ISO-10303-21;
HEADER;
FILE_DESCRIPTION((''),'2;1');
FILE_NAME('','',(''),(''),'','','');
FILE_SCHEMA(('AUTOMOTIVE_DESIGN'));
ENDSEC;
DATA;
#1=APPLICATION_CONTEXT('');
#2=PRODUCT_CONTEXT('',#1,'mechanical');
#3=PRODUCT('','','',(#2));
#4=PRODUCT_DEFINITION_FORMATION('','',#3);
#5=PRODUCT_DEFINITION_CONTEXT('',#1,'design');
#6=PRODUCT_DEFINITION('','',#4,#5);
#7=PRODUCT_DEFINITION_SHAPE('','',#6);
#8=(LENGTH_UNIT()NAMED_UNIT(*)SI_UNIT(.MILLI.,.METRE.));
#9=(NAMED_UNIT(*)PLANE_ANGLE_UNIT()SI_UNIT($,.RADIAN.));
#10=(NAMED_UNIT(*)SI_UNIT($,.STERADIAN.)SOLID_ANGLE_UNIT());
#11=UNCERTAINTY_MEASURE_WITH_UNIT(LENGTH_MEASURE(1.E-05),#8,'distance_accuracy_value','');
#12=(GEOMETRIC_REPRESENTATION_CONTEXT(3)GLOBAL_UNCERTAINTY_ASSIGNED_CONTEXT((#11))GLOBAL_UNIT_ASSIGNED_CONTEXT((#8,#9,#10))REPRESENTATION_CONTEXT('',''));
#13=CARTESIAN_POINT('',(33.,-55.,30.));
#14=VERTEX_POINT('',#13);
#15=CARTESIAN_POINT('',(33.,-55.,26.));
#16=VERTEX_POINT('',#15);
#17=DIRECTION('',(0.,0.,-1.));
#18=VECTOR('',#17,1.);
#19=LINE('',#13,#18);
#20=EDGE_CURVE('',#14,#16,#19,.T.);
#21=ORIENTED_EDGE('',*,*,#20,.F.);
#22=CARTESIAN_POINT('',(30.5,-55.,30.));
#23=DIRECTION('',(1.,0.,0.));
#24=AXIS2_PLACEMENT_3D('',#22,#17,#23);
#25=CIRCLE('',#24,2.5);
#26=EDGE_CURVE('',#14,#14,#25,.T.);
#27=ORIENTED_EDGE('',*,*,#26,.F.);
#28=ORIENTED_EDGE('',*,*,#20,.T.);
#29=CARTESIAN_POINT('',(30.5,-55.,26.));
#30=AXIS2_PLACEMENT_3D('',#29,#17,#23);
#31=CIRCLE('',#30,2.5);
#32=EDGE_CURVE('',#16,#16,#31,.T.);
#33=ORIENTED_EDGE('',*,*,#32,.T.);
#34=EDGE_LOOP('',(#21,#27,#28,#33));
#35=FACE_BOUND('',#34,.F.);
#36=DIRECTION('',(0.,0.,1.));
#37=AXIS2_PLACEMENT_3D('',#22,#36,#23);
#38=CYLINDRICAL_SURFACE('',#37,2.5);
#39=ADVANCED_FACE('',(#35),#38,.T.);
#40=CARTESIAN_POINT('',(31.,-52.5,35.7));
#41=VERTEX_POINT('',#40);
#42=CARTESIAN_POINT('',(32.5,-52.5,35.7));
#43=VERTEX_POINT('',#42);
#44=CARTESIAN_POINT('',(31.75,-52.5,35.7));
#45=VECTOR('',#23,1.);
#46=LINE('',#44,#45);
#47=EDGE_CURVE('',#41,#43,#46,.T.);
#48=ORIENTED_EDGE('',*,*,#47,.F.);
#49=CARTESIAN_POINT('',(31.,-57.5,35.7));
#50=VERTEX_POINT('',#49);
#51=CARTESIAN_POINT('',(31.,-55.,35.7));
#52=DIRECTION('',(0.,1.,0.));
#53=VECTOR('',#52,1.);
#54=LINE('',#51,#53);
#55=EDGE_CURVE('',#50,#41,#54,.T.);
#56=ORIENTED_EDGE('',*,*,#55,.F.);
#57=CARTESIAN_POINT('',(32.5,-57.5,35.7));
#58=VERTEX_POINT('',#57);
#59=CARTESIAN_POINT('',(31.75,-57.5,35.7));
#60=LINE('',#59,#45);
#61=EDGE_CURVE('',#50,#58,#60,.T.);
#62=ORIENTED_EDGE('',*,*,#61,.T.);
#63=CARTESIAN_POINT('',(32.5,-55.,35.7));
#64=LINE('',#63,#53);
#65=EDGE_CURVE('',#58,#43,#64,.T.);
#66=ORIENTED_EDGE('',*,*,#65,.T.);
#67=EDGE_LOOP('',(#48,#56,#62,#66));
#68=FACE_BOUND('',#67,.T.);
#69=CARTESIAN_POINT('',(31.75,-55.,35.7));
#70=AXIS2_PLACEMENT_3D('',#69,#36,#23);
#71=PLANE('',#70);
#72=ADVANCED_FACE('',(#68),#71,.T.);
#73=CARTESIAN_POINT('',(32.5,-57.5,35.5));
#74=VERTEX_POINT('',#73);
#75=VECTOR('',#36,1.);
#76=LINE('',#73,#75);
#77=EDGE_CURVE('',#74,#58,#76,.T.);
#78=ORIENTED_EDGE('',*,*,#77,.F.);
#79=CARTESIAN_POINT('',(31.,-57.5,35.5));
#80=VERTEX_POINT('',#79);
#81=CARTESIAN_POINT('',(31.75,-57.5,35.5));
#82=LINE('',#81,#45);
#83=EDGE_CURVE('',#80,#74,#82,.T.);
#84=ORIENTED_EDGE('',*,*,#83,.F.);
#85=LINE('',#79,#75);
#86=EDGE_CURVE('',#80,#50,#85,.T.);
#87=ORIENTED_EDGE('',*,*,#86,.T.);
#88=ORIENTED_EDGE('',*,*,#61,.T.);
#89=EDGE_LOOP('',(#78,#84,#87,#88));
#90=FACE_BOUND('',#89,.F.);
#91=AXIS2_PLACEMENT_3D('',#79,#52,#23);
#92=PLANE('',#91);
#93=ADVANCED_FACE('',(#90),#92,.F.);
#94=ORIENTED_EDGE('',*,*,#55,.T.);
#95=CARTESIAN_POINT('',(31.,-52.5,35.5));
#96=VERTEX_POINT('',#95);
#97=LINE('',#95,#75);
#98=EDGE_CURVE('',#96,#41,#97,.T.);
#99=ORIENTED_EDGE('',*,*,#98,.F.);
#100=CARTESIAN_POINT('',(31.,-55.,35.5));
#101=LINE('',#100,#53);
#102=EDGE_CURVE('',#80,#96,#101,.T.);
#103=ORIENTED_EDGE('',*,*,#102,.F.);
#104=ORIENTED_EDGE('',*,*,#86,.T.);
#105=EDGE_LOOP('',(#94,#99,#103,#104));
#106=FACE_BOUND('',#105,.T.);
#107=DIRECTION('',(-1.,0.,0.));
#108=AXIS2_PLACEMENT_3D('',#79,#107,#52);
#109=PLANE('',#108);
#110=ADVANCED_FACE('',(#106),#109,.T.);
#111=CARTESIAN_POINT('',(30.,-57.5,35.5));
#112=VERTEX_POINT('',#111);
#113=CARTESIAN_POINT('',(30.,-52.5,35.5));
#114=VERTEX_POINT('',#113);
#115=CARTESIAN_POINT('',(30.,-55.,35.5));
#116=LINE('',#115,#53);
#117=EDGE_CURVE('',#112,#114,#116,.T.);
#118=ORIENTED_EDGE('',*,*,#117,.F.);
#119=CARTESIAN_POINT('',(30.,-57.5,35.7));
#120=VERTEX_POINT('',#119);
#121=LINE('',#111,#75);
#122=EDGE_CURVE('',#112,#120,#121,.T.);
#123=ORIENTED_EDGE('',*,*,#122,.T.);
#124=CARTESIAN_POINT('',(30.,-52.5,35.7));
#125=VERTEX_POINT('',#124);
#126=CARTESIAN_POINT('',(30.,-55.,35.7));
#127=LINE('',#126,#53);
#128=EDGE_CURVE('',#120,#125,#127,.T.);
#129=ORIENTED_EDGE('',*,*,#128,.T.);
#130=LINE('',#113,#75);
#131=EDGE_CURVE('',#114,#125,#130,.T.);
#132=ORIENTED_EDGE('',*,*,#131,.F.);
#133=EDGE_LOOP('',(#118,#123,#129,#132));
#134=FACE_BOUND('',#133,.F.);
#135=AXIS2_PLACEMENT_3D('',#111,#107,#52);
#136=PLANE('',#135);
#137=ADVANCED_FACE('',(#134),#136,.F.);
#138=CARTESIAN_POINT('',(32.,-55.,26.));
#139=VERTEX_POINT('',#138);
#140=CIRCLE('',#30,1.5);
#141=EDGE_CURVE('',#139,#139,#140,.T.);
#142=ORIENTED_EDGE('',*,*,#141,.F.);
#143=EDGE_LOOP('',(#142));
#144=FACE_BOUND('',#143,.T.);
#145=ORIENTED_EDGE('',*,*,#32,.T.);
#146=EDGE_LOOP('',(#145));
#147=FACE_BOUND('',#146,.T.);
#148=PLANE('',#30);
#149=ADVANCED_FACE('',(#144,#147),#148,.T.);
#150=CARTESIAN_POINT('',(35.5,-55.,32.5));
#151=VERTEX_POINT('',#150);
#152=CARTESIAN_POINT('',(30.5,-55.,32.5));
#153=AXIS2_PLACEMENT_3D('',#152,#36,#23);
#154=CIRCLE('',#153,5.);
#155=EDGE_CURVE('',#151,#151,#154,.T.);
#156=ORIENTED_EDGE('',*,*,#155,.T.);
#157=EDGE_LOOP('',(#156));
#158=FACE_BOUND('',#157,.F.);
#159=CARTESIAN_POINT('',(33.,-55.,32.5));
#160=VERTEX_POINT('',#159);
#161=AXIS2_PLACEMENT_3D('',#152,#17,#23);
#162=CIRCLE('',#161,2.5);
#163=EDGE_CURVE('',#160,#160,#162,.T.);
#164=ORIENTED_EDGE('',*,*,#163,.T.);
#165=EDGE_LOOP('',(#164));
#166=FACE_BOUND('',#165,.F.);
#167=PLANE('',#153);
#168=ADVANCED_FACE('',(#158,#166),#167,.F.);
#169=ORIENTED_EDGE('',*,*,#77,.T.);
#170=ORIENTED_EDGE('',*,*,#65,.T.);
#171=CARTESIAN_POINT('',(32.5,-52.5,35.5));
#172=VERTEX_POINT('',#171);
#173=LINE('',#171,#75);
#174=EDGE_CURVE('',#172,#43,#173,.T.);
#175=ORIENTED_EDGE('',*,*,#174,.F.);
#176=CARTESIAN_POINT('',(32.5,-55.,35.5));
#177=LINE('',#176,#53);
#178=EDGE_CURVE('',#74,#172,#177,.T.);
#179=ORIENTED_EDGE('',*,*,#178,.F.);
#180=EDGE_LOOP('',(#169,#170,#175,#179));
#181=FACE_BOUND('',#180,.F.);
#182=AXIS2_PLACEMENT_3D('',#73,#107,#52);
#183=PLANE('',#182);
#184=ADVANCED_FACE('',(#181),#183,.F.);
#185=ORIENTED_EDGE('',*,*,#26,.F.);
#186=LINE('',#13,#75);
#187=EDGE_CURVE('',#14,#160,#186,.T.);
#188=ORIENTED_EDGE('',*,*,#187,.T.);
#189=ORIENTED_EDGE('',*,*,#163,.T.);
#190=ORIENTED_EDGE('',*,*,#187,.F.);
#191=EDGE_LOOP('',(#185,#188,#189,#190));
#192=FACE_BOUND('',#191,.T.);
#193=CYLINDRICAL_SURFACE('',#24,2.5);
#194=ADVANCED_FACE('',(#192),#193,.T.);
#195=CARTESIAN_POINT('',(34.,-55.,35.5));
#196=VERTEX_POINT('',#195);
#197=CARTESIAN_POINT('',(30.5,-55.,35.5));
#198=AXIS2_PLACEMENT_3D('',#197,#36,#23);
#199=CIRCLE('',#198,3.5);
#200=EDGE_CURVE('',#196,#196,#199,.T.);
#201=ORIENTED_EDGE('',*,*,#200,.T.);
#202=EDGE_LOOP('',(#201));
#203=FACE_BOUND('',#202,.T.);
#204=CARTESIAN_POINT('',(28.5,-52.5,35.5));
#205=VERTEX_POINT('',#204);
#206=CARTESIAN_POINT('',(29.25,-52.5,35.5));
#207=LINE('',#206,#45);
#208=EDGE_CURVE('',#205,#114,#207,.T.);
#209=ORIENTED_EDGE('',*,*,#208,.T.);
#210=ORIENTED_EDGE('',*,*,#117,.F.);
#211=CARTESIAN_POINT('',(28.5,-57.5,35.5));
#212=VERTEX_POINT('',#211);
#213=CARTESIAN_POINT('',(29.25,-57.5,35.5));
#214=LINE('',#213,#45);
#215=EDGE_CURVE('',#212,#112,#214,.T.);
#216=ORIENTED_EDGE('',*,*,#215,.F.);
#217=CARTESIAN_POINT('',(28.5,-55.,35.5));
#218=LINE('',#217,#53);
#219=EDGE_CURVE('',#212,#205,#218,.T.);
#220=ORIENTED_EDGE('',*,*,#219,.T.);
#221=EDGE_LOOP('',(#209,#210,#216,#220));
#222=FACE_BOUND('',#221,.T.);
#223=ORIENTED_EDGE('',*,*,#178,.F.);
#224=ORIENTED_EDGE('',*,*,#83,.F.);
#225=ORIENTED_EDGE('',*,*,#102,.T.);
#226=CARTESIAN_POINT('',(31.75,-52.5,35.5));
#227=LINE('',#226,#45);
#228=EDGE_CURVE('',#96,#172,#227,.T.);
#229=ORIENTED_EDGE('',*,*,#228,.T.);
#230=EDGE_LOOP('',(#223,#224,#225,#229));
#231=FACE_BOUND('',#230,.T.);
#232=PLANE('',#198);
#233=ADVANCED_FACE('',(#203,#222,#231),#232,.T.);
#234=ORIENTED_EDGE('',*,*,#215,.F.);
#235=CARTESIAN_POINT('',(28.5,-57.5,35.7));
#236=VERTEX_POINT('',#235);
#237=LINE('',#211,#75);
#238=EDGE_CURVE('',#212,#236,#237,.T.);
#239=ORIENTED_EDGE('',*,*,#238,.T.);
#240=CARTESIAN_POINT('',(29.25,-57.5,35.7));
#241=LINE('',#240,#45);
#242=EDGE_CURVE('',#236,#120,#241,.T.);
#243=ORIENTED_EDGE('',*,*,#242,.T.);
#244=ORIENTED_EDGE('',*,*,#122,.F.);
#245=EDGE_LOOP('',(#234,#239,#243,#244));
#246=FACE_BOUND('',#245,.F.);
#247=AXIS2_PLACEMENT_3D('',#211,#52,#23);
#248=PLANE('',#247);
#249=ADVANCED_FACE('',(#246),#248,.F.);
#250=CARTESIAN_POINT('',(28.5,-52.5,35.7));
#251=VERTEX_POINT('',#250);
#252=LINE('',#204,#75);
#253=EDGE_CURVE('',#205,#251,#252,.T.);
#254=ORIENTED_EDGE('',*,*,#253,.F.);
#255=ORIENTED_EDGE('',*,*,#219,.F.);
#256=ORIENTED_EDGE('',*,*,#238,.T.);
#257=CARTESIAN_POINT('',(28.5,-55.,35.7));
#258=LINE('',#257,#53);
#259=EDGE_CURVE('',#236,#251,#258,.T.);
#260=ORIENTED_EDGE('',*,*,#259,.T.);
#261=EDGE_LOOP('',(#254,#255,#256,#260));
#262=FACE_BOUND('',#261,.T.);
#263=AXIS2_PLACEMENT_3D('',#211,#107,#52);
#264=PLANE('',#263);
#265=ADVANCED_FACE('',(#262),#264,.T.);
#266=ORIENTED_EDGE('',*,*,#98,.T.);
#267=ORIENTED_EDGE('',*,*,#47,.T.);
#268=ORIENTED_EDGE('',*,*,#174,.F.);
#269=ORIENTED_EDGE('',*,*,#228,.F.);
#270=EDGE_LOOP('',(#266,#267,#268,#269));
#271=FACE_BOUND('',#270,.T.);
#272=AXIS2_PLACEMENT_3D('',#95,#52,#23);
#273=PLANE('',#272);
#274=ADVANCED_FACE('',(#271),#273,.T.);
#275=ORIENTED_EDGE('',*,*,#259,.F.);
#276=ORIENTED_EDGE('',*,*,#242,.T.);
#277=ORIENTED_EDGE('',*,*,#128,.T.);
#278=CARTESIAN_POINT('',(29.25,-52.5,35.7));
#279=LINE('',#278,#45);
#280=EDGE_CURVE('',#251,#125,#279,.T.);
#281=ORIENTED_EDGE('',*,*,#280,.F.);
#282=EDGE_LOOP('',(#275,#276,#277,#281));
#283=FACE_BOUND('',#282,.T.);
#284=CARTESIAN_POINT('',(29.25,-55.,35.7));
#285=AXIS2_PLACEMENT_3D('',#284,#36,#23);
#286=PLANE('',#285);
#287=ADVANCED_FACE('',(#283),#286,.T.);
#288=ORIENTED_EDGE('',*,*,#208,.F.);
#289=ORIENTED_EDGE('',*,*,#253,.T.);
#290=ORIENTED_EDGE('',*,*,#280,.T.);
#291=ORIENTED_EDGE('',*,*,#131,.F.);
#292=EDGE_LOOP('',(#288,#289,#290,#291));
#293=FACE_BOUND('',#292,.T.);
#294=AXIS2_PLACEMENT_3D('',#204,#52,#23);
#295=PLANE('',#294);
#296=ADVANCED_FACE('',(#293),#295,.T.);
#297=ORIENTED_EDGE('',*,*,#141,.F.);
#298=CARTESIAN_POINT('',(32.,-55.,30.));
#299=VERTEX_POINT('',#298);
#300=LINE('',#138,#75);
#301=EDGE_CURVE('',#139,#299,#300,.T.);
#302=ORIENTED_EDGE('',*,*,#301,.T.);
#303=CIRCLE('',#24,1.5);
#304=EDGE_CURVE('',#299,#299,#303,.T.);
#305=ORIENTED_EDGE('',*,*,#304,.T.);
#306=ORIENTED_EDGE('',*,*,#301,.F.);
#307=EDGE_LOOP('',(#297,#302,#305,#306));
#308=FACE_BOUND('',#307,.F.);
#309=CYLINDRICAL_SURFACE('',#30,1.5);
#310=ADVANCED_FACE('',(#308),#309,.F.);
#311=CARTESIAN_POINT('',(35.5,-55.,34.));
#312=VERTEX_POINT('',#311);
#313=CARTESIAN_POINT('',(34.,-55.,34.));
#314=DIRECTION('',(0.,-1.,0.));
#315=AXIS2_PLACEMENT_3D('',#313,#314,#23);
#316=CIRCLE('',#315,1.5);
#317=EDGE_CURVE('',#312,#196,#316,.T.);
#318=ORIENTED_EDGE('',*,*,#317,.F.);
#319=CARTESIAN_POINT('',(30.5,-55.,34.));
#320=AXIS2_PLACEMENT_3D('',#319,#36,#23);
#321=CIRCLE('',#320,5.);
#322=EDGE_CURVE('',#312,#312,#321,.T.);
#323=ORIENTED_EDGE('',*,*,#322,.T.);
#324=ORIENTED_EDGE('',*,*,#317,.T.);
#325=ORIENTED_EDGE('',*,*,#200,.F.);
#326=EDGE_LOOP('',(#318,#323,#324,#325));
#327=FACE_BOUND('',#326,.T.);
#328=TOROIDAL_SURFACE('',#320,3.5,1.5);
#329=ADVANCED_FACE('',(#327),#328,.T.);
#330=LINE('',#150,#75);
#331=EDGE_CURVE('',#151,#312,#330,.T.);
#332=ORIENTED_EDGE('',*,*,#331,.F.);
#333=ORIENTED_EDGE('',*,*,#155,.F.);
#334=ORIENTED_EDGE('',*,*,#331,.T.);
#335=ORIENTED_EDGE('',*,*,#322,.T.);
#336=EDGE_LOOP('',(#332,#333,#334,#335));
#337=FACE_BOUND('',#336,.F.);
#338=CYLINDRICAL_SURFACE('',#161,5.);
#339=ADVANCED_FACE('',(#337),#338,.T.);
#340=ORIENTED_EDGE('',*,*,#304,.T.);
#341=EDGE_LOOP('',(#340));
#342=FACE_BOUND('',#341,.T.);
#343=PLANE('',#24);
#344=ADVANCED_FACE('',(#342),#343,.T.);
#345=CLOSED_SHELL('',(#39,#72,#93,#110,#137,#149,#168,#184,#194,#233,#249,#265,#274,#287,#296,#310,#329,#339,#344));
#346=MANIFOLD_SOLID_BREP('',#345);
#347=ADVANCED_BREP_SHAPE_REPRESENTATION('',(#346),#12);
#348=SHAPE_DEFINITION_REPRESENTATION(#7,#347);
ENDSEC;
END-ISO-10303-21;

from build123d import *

# Parameters (mm, degrees)
SKETCH046_R     = 2.5
PAD023_DEPTH    = 2.5
SKETCH047_R     = 5
PAD024_DEPTH    = 3
FILLET003_R     = 1.5
SKETCH049_R     = 2.5
PAD025_DEPTH    = 4
SKETCH050_R     = 1.5
POCKET026_DEPTH = 4
SKETCH088_W     = 1.5
SKETCH088_H     = 5
PAD052_DEPTH    = 0.2


with BuildPart() as part:
    # Sketch046 → Pad023 (new body)
    with BuildSketch(Plane(origin=(0, 0, 30), x_dir=(1, 0, 0), z_dir=(0, 0, -1))):
        with Locations((101, 55)):
            Circle(SKETCH046_R)
    extrude(amount=-PAD023_DEPTH)

    # Sketch047 (on Face3 of Pad023) → Pad024 (join)
    with BuildSketch(Plane.XY.offset(32.5)):
        with Locations((101, -55)):
            Circle(SKETCH047_R)
    extrude(amount=PAD024_DEPTH)

    # Fillet003
    fillet003_edges = [part.edges().sort_by_distance(p)[0] for p in [
        (96, -55, 35.5),
    ]]
    fillet(fillet003_edges, radius=FILLET003_R)

    # Sketch049 → Pad025 (join)
    with BuildSketch(Plane(origin=(0, 0, 30), x_dir=(1, 0, 0), z_dir=(0, 0, -1))):
        with Locations((101, 55)):
            Circle(SKETCH049_R)
    extrude(amount=PAD025_DEPTH)

    # Sketch050 (on Face17 of Pad025) → Pocket026 (cut)
    with BuildSketch(Plane(origin=(0, 0, 26), x_dir=(1, 0, 0), z_dir=(0, 0, -1))):
        with Locations((101, 55)):
            Circle(SKETCH050_R)
    extrude(amount=-POCKET026_DEPTH, mode=Mode.SUBTRACT)


with BuildPart() as part_1:
    # Body002 placement: moved
    add(part.part.moved(Location((75, 0, 0))))

    # Sketch088 (on Face4 of Clone001) → Pad052 (new body)
    with BuildSketch(Plane(origin=(75, 0, 35.5), x_dir=(1, 0, 0), z_dir=(0, 0, 1))):
        with Locations((99.75, -55)):
            Rectangle(SKETCH088_W, SKETCH088_H)
        with Locations((102.25, -55)):
            Rectangle(SKETCH088_W, SKETCH088_H)
    extrude(amount=PAD052_DEPTH)


with BuildPart() as part_2:
    # Body010 placement: moved
    add(part_1.part.moved(Location((-145.5, 0, 0))))


solid = part_2.part
